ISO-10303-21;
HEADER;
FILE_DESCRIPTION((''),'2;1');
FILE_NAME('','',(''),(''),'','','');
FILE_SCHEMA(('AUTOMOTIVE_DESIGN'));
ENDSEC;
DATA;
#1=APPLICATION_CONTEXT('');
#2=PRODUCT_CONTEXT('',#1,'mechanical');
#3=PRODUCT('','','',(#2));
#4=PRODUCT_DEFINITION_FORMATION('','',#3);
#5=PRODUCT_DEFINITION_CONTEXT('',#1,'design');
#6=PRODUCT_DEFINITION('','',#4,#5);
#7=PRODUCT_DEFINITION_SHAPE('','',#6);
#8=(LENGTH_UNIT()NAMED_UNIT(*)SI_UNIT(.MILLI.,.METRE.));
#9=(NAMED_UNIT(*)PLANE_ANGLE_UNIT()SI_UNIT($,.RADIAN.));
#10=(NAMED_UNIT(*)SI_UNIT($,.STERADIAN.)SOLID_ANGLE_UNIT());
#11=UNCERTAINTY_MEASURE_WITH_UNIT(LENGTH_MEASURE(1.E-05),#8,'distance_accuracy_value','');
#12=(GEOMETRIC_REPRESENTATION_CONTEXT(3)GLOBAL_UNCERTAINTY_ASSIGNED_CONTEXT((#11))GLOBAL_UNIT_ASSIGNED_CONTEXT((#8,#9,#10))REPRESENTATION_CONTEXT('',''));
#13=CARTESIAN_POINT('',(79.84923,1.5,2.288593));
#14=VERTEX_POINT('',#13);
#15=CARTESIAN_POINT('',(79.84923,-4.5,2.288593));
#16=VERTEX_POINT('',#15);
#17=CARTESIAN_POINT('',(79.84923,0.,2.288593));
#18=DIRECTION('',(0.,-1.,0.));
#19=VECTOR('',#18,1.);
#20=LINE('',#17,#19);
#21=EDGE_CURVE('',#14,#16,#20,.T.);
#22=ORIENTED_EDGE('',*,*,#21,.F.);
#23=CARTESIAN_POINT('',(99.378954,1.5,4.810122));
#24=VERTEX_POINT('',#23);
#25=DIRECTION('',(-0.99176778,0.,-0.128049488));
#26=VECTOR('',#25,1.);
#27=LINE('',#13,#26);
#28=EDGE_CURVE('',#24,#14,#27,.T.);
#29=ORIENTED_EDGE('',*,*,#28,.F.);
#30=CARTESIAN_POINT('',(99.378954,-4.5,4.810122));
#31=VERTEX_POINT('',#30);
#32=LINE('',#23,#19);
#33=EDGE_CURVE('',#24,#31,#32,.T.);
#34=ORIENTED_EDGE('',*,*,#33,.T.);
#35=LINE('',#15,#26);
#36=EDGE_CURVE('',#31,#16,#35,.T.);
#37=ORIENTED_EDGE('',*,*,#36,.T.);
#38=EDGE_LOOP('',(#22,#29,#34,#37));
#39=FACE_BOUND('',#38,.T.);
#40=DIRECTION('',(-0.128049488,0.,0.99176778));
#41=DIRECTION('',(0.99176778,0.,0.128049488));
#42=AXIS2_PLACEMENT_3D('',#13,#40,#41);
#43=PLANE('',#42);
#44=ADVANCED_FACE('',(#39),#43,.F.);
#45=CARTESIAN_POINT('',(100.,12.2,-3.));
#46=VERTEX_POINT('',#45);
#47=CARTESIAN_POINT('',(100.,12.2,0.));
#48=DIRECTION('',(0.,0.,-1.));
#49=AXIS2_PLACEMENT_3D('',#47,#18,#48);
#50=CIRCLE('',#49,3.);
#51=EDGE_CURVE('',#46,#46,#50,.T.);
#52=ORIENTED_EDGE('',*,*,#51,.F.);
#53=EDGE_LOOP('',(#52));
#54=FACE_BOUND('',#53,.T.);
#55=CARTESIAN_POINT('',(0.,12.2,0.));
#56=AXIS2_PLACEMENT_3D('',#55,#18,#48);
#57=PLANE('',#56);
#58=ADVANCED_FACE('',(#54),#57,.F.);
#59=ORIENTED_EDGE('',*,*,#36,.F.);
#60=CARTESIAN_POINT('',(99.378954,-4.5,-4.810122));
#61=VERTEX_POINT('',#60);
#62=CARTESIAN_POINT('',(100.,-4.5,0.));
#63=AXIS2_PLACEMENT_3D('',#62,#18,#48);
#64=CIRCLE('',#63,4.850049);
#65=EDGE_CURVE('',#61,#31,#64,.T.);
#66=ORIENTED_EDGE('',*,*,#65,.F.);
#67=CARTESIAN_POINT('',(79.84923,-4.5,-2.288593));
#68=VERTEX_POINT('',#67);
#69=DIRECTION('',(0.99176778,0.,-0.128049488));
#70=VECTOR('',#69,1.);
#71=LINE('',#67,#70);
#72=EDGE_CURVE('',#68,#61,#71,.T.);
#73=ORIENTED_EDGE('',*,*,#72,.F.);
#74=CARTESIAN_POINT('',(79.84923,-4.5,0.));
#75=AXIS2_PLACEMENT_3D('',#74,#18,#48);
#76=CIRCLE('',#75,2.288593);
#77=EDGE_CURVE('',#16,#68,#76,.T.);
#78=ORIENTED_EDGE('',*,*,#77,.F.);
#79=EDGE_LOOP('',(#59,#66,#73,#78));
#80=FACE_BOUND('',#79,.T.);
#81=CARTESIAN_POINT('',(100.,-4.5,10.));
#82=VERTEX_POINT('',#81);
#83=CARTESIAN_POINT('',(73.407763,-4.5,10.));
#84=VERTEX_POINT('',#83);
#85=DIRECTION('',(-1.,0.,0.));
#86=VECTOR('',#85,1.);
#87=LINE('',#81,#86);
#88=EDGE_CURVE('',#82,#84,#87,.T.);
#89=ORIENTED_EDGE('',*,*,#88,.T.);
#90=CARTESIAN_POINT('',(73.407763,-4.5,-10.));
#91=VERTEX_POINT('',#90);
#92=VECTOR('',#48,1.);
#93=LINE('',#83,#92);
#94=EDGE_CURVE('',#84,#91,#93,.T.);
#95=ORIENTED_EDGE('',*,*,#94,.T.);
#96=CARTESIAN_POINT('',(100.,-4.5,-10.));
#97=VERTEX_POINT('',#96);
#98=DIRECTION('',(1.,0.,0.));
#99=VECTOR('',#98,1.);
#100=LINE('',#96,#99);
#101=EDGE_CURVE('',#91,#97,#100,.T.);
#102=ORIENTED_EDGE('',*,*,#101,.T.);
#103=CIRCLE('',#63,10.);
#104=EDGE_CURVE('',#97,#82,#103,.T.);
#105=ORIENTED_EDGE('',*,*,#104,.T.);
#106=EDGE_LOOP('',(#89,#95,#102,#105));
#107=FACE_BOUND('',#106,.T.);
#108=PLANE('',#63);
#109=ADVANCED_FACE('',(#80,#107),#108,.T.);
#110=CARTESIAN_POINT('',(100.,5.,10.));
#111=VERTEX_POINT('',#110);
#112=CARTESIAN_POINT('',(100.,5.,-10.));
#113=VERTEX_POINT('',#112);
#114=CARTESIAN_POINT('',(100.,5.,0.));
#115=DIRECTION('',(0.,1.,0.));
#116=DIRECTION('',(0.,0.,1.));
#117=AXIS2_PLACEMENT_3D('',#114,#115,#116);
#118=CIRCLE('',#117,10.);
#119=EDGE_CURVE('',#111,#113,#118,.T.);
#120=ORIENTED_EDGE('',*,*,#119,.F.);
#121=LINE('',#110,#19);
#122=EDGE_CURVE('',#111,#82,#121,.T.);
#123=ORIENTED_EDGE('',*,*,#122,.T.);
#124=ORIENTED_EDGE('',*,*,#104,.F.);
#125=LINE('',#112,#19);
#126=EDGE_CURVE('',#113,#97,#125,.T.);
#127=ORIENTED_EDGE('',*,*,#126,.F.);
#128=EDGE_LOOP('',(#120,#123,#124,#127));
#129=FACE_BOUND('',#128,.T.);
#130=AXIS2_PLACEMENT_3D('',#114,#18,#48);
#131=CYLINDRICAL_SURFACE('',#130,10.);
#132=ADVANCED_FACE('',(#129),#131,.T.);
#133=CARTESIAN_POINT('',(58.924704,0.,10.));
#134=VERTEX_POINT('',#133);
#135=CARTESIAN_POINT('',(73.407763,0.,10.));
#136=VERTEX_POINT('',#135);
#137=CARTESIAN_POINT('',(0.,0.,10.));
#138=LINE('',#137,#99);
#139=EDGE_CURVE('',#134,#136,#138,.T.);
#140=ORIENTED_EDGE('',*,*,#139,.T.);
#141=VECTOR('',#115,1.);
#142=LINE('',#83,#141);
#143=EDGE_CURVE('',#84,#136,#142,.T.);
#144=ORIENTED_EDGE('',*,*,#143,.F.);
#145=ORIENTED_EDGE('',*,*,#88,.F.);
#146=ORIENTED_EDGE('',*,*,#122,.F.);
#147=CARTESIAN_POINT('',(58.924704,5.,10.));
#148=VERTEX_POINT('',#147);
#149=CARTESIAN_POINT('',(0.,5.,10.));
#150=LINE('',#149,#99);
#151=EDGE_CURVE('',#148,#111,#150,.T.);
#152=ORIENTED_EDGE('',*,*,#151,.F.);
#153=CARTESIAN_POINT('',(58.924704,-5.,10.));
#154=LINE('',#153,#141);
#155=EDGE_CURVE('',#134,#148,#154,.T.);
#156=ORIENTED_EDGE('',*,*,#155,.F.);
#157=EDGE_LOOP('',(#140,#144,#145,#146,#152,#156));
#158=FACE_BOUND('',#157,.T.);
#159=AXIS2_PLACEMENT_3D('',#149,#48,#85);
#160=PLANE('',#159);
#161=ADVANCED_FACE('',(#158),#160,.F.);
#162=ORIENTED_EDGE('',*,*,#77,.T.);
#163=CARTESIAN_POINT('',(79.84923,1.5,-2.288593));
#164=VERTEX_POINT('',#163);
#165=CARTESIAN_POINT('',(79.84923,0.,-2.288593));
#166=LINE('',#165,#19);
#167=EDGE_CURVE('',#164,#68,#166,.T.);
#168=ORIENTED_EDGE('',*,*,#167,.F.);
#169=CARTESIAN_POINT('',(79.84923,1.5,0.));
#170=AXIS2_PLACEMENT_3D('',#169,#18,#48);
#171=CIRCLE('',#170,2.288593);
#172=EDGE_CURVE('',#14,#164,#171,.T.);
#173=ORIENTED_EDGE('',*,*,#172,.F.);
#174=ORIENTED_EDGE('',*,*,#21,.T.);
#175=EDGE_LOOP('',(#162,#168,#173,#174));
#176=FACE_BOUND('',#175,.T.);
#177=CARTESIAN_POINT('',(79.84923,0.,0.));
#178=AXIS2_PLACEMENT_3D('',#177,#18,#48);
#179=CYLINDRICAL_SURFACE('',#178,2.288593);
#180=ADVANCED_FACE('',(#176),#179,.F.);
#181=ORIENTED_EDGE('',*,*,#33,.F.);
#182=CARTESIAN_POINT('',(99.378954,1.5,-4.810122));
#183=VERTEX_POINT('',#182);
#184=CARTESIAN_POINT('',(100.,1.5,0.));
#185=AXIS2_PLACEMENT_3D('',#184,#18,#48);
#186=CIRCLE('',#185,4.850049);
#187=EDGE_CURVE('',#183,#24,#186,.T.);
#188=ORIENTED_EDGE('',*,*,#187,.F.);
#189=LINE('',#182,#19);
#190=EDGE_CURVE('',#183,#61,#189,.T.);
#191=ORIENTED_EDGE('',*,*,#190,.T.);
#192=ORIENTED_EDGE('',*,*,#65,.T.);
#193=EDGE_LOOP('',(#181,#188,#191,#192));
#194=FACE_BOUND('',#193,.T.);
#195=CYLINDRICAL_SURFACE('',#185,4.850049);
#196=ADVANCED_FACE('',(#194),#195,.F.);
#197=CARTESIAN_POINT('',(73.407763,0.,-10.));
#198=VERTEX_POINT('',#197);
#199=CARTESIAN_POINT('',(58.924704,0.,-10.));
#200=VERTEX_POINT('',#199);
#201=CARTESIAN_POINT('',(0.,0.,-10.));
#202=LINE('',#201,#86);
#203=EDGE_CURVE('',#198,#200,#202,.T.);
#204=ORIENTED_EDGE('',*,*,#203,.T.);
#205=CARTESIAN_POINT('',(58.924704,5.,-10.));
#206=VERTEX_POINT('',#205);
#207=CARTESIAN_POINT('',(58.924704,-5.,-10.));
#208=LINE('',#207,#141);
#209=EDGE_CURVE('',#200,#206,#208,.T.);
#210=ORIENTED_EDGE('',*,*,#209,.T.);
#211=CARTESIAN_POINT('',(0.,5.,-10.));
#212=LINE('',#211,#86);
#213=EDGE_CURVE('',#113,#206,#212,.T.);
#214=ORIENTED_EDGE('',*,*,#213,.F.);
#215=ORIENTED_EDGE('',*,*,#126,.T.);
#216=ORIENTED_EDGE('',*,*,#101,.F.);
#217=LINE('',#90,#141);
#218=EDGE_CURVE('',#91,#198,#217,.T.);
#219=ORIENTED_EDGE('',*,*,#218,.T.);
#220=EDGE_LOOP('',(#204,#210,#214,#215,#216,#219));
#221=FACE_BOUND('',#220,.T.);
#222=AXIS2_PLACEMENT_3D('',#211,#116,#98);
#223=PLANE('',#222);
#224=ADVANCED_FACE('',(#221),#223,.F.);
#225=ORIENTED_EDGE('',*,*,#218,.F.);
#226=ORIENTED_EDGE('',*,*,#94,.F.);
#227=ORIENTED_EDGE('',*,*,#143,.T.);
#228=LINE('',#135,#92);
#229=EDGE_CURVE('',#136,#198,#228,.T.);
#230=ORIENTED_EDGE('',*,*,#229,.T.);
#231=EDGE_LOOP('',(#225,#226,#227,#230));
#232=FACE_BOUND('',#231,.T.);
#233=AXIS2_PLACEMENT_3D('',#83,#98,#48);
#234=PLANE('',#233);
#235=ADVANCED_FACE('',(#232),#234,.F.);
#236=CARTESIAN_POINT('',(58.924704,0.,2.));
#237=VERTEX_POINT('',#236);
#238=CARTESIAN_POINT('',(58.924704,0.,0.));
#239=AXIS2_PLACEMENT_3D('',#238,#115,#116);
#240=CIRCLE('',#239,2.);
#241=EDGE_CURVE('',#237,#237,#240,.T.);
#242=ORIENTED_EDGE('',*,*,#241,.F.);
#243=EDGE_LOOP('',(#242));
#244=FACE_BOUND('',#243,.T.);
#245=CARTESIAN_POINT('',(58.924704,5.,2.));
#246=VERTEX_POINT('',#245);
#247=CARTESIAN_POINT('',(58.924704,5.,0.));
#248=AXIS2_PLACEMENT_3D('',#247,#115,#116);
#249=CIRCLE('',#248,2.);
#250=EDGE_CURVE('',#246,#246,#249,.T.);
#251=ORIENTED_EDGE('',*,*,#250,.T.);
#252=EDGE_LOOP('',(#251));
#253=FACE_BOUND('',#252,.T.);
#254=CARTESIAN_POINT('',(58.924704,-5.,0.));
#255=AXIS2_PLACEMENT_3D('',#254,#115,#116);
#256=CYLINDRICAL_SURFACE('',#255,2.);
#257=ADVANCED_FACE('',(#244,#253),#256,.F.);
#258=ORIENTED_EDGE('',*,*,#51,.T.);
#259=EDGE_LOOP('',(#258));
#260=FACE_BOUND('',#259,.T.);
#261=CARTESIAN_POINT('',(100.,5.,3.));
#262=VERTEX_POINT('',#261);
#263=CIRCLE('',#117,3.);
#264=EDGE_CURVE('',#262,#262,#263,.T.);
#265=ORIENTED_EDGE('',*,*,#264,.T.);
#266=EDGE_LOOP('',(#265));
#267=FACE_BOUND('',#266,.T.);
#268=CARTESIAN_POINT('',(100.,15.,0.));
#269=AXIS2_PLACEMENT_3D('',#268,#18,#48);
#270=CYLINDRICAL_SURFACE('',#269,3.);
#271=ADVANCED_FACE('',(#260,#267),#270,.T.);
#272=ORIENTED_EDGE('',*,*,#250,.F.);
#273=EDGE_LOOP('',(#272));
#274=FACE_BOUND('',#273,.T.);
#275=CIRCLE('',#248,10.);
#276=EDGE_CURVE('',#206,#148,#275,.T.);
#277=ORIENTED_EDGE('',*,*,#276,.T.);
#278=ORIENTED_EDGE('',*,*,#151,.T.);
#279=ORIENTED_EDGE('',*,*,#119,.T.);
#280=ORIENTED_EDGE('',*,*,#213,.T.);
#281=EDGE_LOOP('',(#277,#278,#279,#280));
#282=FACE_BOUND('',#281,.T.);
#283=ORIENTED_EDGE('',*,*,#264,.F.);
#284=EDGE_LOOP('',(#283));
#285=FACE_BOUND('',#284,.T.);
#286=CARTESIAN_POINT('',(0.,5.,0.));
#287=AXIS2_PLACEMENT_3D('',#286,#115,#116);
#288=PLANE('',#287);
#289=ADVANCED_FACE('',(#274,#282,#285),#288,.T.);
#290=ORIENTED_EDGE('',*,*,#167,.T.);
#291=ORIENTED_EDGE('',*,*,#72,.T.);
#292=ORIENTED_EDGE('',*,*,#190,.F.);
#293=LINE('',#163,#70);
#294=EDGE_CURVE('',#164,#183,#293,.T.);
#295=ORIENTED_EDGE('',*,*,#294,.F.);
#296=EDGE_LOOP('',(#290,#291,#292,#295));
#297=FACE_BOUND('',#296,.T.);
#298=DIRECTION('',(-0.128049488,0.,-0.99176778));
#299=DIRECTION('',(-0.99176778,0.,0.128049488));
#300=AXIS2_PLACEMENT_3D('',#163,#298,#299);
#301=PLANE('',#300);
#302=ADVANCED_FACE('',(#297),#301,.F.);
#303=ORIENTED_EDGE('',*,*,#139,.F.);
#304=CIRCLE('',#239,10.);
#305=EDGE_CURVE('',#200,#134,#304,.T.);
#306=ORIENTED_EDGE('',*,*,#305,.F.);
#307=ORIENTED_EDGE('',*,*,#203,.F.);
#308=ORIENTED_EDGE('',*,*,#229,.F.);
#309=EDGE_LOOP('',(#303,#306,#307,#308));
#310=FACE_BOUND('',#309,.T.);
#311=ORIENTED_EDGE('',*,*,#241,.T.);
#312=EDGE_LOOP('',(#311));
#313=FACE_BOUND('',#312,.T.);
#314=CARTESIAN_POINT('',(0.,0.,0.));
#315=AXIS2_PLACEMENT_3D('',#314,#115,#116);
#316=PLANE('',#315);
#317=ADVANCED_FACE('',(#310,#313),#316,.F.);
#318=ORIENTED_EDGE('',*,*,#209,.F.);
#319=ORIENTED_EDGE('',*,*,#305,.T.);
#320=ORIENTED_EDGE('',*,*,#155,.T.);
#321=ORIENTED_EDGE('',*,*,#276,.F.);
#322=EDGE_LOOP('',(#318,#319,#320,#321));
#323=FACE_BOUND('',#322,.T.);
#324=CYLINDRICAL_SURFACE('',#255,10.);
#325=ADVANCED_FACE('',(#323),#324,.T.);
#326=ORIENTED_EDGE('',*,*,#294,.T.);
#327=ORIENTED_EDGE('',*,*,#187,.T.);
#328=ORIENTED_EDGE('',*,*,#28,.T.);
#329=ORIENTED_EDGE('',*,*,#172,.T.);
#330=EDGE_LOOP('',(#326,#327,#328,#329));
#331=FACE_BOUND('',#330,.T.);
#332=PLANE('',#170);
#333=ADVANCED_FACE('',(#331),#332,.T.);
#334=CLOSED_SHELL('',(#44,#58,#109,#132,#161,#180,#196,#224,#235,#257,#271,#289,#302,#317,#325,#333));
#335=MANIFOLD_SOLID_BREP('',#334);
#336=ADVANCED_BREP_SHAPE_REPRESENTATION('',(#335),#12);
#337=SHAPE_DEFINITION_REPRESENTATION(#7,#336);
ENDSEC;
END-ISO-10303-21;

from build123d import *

# Parameters (mm, degrees)
SKETCH_1_R          = 2
EXTRUDE_1_DEPTH     = 5
SKETCH_2_R          = 3
EXTRUDE_2_DEPTH     = 10
EXTRUDE_START       = 4.5
EXTRUDE_3_DEPTH     = 4.5
CUT_EXTRUDE_1_DEPTH = 4.5
CUT_EXTRUDE_START   = -10
SKETCH_7_R          = 2
CUT_EXTRUDE_2_DEPTH = 10
SKETCH_8_R          = 2
CUT_EXTRUDE_3_DEPTH = 10
CUT_EXTRUDE_4_DEPTH = 6
SKETCH_10_W         = 23.139372947
SKETCH_10_H         = 31.36360791
CUT_EXTRUDE_7_DEPTH = 2.8


with BuildPart() as part:
    # 草图1 → 凸台-拉伸1 (new body)
    with BuildSketch(Plane(origin=(0, 0, 0), x_dir=(1, 0, 0), z_dir=(0, 1, 0))):
        with BuildLine():
            Line((0, 10), (100, 10))
            ThreePointArc((100, 10), (110, 0), (100, -10))
            Line((100, -10), (0, -10))
            ThreePointArc((0, -10), (-10, 0), (0, 10))
        make_face()
        with Locations(Location((0, 0, 0), (0, 0, 270))):
            Circle(SKETCH_1_R, mode=Mode.SUBTRACT)
    extrude(amount=EXTRUDE_1_DEPTH)

    # 草图2 → 凸台-拉伸2 (add)
    with BuildSketch(Plane(origin=(0, 5, 0), x_dir=(1, 0, 0), z_dir=(0, 1, 0))):
        with Locations(Location((100, 0, 0), (0, 0, 270))):
            Circle(SKETCH_2_R)
    extrude(amount=EXTRUDE_2_DEPTH)

    # 草图3 → 凸台-拉伸3 (add)
    with BuildSketch(Plane.XZ.offset(EXTRUDE_START)):
        with BuildLine():
            Line((100, 10), (73.40776322, 10))
            Line((73.40776322, 10), (73.40776322, -10))
            Line((73.40776322, -10), (100, -10))
            ThreePointArc((100, -10), (110, 0), (100, 10))
        make_face()
    extrude(amount=-EXTRUDE_3_DEPTH)

    # 草图4 → 切除-拉伸1 (cut)
    with BuildSketch(Plane.XZ.offset(4.5)):
        with BuildLine():
            Line((79.849230428, 2.288593229), (99.690178504, 3.236180981))
            ThreePointArc((99.690178504, 3.236180981), (103.250977807, 0), (99.690178504, -3.236180981))
            Line((99.690178504, -3.236180981), (79.849230428, -2.288593229))
            ThreePointArc((79.849230428, -2.288593229), (77.560637199, 0), (79.849230428, 2.288593229))
        make_face()
    extrude(amount=-CUT_EXTRUDE_1_DEPTH, mode=Mode.SUBTRACT)

    # 草图7 → 切除-拉伸2 (cut)
    with BuildSketch(Plane(origin=(0, 5, 0), x_dir=(1, 0, 0), z_dir=(0, 1, 0)).offset(CUT_EXTRUDE_START)):
        with BuildLine():
            ThreePointArc((58.924703642, -10), (48.924703642, 0), (58.924703642, 10))
            Line((58.924703642, 10), (0, 10))
            ThreePointArc((0, 10), (-10, 0), (0, -10))
            Line((0, -10), (58.924703642, -10))
        make_face()
        Circle(SKETCH_7_R, mode=Mode.SUBTRACT)
    extrude(amount=CUT_EXTRUDE_2_DEPTH, mode=Mode.SUBTRACT)

    # 草图8 → 切除-拉伸3 (cut)
    with BuildSketch(Plane(origin=(0, 5, 0), x_dir=(1, 0, 0), z_dir=(0, 1, 0))):
        with Locations(Location((58.924703642, 0, 0), (0, 0, 270))):
            Circle(SKETCH_8_R)
    extrude(amount=-CUT_EXTRUDE_3_DEPTH, mode=Mode.SUBTRACT)

    # 草图9 → 切除-拉伸4 (cut)
    with BuildSketch(Plane.XZ.offset(4.5)):
        with BuildLine():
            Line((79.849230428, 2.288593229), (99.378953737, 4.81012209))
            ThreePointArc((99.378953737, 4.81012209), (104.850048761, 0), (99.378953737, -4.81012209))
            Line((99.378953737, -4.81012209), (79.849230428, -2.288593229))
            ThreePointArc((79.849230428, -2.288593229), (77.560637199, 0), (79.849230428, 2.288593229))
        make_face()
    extrude(amount=-CUT_EXTRUDE_4_DEPTH, mode=Mode.SUBTRACT)

    # 草图10 → 切除-拉伸7 (cut)
    with BuildSketch(Plane(origin=(0, 15, 0), x_dir=(1, 0, 0), z_dir=(0, 1, 0))):
        with Locations((93.670893517, -8.00991687)):
            Rectangle(SKETCH_10_W, SKETCH_10_H)
    extrude(amount=-CUT_EXTRUDE_7_DEPTH, mode=Mode.SUBTRACT)


solid = part.part
